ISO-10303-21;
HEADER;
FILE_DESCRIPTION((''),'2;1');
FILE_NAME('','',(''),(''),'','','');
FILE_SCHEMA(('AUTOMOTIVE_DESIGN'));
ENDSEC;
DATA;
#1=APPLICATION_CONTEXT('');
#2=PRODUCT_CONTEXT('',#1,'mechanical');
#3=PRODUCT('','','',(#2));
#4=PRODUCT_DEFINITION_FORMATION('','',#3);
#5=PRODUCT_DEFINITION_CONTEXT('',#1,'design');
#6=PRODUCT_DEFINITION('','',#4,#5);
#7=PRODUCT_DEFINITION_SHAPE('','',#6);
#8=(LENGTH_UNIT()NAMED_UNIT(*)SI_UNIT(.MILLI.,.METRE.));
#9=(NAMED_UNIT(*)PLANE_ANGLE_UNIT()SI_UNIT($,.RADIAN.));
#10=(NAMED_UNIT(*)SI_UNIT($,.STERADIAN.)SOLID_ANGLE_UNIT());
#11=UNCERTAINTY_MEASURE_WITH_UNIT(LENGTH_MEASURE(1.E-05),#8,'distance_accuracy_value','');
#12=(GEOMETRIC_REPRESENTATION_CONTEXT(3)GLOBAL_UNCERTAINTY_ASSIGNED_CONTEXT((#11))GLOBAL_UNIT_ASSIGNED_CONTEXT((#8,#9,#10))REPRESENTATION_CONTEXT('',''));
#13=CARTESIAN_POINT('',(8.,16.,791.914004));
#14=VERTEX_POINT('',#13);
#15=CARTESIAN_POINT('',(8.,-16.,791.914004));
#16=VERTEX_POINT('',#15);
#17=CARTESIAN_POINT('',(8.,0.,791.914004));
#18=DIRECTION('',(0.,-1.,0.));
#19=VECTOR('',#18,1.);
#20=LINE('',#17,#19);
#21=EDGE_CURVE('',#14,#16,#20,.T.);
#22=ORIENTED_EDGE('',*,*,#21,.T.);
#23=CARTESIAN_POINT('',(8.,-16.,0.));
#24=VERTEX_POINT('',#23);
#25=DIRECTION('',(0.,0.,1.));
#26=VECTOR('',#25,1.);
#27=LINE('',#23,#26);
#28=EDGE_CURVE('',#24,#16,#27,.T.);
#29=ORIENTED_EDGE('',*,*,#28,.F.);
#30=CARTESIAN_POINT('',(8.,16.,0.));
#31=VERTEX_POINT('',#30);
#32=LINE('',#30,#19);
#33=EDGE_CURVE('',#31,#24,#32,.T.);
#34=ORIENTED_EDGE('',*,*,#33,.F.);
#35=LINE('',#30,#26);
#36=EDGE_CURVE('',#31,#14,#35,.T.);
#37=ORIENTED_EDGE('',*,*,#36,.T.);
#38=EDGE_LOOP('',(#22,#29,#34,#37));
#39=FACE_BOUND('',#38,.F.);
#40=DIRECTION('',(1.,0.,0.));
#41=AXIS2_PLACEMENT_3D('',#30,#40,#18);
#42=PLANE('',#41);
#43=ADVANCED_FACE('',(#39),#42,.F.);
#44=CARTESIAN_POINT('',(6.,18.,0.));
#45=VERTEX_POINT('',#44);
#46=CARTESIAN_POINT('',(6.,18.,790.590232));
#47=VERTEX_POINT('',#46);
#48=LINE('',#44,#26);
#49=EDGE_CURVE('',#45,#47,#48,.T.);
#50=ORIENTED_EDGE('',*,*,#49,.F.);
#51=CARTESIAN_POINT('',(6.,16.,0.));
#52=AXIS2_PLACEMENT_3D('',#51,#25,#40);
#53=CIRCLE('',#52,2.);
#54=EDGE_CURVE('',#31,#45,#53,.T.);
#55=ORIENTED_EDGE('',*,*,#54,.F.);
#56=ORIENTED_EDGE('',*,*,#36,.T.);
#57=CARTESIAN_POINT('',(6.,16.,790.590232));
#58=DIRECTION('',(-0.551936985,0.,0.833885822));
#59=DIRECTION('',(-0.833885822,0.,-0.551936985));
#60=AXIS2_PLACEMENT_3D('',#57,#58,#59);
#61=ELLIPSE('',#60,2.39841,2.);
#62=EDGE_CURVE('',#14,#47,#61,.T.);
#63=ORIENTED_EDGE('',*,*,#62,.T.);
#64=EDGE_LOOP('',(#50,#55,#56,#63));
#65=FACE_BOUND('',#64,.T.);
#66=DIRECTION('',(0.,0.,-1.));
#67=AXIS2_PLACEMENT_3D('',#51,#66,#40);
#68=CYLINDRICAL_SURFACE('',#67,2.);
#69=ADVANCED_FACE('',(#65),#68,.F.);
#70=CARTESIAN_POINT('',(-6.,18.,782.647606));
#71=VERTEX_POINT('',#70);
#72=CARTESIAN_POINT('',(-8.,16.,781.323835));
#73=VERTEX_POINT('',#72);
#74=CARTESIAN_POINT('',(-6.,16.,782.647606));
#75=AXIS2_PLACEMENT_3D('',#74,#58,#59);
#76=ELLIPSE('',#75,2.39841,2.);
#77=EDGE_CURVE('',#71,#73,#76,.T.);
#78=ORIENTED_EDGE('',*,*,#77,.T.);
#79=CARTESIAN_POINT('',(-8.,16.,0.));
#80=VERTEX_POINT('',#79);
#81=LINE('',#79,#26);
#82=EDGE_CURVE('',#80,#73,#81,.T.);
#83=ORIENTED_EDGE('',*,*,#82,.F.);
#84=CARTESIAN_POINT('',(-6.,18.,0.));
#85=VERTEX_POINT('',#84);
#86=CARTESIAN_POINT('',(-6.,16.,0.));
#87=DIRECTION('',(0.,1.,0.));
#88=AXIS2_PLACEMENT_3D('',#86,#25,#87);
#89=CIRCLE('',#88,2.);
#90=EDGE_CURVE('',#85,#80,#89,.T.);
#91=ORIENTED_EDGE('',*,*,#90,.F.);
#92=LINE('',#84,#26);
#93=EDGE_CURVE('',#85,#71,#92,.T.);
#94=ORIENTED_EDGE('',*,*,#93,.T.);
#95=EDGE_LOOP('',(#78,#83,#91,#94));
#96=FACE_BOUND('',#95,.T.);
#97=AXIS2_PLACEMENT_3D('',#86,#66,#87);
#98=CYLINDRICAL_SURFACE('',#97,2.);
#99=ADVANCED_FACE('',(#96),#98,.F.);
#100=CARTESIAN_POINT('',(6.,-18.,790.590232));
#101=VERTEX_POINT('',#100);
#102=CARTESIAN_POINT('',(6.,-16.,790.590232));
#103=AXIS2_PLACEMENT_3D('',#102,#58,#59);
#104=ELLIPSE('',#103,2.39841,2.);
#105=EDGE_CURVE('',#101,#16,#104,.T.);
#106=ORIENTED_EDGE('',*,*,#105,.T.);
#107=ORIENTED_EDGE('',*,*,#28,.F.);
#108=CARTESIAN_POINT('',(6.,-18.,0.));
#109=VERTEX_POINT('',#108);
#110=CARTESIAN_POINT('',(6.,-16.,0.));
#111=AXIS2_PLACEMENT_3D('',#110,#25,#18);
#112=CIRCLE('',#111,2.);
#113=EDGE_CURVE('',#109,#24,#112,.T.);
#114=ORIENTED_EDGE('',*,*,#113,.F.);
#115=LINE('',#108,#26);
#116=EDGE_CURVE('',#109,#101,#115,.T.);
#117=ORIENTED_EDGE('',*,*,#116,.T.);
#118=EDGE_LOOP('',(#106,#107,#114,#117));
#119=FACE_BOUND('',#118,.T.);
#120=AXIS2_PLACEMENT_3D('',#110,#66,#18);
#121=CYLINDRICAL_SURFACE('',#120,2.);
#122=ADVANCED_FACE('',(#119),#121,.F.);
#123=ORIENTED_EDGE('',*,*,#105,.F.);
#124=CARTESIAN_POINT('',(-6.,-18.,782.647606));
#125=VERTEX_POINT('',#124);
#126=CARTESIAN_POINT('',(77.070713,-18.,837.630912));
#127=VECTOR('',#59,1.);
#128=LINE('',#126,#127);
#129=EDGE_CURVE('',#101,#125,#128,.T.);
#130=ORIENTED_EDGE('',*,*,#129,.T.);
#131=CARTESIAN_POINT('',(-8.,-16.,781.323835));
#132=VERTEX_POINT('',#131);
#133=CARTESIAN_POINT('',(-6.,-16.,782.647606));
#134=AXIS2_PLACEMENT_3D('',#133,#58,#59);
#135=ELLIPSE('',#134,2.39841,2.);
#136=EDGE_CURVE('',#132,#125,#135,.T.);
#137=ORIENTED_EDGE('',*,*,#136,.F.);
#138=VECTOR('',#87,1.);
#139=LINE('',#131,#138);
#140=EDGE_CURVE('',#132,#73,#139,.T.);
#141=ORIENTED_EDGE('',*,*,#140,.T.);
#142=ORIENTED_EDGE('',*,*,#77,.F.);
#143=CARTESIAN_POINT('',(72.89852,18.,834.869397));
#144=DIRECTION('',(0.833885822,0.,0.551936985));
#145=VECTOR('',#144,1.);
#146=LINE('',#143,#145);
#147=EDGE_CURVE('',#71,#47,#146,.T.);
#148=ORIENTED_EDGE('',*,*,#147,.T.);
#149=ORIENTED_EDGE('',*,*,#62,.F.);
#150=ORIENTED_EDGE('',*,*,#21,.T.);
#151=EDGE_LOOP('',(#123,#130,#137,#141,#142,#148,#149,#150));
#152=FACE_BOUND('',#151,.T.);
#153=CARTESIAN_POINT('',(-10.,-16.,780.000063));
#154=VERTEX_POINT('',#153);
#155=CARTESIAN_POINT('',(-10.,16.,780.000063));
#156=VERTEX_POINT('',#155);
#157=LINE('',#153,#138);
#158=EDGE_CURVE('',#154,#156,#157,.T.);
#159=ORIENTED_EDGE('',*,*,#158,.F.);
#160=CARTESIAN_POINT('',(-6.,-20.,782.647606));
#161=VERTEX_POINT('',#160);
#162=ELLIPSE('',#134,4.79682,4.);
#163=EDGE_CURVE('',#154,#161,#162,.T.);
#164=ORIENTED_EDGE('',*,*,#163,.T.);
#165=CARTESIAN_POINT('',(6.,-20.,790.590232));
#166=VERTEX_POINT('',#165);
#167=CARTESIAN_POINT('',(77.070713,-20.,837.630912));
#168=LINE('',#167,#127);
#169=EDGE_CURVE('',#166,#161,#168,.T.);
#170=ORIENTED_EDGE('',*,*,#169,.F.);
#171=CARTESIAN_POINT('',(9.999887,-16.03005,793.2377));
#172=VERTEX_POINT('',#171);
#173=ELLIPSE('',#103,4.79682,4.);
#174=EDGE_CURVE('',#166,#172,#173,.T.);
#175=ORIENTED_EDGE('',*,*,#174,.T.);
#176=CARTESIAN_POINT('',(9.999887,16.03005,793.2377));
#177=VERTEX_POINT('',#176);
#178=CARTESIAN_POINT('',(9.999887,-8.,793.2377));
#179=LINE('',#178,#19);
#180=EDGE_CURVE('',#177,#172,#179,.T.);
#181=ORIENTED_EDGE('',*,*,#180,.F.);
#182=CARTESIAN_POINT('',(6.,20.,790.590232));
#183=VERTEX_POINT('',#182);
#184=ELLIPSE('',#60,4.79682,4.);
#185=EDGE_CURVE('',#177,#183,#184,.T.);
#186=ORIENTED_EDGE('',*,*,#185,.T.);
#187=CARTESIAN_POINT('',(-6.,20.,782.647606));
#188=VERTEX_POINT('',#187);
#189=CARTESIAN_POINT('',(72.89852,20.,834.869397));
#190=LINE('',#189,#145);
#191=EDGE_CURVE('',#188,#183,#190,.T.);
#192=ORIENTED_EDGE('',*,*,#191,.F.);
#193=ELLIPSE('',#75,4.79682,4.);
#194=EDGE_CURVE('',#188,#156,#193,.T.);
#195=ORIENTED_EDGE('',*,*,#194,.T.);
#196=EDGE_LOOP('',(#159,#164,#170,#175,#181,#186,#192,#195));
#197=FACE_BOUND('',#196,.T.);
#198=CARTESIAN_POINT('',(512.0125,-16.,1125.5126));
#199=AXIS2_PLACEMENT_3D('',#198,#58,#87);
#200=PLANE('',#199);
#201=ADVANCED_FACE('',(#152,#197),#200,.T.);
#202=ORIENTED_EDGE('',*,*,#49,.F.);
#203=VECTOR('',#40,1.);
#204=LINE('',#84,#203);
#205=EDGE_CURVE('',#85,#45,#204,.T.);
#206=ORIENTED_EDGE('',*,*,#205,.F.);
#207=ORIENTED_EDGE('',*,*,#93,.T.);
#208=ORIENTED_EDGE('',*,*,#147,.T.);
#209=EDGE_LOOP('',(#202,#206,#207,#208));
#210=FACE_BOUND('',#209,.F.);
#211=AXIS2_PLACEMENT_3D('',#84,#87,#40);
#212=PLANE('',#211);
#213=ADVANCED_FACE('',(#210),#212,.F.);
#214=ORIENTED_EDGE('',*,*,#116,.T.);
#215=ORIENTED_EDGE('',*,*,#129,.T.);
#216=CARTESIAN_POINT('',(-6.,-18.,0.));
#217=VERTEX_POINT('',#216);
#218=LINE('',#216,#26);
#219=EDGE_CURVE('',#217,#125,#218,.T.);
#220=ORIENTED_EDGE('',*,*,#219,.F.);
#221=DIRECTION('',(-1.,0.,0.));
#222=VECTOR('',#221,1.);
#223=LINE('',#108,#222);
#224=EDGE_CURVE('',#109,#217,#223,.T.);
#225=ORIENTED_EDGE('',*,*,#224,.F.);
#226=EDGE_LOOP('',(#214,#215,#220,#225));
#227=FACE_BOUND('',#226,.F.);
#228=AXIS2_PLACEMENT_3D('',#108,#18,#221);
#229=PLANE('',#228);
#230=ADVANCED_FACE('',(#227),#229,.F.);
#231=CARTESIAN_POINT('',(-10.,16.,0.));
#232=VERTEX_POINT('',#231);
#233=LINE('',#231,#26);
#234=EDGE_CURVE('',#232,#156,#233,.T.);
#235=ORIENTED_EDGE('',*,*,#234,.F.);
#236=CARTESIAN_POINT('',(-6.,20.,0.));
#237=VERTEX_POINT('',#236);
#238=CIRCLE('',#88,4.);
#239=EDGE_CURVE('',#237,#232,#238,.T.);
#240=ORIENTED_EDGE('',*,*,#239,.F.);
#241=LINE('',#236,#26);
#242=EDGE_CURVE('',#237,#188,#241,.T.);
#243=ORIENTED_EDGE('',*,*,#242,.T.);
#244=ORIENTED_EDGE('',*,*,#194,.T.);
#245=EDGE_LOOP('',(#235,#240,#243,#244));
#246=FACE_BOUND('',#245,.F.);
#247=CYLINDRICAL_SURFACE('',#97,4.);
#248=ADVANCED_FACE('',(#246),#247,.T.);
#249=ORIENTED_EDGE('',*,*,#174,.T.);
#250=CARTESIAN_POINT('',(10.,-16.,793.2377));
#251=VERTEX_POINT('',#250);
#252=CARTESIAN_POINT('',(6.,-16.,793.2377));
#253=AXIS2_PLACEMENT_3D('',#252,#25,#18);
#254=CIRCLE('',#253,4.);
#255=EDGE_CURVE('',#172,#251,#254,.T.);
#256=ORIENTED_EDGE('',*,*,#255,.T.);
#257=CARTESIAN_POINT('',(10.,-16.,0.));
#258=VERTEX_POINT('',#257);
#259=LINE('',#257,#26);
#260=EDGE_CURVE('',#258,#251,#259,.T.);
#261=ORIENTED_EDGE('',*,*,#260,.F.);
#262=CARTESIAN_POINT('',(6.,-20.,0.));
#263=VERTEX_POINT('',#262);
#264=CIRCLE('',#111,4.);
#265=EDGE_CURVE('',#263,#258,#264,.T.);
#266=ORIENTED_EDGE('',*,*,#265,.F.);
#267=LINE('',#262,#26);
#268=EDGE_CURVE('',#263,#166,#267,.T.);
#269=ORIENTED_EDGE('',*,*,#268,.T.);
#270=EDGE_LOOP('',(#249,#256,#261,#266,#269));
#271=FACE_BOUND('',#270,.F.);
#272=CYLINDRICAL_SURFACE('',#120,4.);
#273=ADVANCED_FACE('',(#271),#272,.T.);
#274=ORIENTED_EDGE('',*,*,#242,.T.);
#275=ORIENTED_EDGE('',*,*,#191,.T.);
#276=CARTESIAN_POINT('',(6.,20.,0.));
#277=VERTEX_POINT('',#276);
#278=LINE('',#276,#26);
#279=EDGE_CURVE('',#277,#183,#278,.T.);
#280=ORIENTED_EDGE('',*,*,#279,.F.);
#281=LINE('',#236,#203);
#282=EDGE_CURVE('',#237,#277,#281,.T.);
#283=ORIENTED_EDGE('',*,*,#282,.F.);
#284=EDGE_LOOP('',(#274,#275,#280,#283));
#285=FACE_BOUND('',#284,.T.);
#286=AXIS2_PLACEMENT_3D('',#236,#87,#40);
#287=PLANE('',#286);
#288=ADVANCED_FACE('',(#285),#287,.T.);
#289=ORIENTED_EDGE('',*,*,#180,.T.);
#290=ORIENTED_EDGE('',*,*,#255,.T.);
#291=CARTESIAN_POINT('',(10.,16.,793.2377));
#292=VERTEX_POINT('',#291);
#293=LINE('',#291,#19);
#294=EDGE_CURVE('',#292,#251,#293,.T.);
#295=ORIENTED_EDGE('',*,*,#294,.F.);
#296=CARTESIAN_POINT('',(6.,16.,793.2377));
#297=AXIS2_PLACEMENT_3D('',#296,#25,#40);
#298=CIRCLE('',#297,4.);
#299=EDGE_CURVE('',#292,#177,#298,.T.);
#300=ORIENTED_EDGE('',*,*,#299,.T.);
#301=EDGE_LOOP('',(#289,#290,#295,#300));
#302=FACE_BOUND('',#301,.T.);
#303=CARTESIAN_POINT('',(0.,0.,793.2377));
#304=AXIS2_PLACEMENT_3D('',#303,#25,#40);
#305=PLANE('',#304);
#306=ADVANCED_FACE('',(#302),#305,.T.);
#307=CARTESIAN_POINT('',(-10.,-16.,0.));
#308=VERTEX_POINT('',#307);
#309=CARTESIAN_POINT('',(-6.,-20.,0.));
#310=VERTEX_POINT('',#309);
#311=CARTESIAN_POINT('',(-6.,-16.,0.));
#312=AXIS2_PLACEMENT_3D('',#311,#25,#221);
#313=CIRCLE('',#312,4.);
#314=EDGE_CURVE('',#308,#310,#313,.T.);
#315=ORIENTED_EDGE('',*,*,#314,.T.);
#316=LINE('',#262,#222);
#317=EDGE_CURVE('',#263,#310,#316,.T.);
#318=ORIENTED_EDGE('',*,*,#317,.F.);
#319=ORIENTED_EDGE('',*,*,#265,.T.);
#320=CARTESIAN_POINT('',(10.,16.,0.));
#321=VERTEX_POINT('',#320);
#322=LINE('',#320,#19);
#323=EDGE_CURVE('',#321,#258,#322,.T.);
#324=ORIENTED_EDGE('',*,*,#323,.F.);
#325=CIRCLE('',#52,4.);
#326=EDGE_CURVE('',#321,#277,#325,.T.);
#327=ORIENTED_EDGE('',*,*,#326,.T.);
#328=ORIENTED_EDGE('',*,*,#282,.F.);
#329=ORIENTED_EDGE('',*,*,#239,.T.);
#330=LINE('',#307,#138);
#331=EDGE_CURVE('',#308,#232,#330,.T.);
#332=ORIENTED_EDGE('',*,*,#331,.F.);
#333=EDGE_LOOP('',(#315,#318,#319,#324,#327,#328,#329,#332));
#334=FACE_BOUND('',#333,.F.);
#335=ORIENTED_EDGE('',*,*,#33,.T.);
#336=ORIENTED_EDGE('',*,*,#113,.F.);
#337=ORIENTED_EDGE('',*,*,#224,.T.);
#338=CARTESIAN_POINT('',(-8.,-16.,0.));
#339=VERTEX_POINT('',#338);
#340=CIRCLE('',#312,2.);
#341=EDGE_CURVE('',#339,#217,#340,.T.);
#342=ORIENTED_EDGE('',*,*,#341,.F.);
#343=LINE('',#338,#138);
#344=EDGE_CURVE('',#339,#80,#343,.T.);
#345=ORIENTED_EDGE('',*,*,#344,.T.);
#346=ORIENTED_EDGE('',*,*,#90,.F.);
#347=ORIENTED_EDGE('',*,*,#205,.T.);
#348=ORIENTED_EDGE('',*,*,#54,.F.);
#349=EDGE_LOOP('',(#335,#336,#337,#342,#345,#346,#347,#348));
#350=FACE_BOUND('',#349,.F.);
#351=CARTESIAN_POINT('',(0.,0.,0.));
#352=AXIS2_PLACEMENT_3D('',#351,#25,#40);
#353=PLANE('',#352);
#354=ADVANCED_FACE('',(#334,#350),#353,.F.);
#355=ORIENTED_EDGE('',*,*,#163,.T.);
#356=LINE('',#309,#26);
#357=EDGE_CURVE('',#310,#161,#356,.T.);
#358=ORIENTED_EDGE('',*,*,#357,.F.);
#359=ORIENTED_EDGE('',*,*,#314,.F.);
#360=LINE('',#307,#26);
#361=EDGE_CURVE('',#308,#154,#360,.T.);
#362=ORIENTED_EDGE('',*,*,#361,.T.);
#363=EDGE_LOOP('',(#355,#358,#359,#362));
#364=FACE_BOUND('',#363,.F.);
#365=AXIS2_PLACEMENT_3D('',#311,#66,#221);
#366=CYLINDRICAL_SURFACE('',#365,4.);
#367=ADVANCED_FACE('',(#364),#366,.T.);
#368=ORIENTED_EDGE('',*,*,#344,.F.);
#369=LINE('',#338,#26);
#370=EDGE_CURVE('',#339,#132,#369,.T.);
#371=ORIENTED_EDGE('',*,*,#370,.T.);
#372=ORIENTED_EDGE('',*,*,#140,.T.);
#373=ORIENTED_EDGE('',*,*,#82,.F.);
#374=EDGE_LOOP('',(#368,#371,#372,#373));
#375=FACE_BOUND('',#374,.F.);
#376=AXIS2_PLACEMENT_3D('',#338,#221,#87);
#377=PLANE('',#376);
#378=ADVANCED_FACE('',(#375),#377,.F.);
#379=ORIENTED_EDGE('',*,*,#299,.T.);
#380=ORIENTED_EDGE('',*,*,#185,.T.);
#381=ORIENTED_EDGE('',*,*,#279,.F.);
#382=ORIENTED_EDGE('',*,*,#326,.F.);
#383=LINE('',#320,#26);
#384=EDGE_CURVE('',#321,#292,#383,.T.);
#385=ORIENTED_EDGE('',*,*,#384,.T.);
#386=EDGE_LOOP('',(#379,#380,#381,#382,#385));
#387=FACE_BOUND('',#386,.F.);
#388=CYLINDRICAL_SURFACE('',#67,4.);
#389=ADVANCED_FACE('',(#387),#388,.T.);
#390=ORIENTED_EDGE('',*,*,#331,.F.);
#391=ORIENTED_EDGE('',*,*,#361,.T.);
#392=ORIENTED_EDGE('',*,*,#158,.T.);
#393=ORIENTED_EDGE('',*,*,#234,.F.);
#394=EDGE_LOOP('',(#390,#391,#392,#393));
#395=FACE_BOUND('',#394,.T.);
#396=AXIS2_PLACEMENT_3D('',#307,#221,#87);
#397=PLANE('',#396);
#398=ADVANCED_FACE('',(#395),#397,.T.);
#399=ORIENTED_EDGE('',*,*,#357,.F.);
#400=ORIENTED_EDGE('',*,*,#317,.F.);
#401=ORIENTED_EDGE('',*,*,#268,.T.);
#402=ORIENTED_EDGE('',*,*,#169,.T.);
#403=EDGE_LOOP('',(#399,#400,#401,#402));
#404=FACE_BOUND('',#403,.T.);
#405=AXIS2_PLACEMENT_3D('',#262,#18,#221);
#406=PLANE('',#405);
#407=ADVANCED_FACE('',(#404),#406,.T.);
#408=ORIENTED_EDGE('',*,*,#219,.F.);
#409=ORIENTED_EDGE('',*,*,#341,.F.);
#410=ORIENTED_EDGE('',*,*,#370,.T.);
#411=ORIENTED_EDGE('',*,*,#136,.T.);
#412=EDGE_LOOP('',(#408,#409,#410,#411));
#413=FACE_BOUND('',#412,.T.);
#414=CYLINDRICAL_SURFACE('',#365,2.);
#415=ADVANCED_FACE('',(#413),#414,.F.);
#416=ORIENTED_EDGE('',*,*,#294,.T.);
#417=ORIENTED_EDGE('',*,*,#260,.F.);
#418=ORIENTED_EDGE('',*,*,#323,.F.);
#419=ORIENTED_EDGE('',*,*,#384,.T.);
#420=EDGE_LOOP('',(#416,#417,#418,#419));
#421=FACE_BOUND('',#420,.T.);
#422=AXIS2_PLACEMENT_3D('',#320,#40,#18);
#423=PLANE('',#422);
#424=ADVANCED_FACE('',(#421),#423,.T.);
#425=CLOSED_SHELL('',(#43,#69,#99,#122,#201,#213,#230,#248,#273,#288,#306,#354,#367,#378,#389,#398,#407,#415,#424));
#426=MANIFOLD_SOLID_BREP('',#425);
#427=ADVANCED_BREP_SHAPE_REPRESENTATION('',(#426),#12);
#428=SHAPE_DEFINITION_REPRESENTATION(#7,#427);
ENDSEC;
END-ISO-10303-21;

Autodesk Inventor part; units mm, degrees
ref_plane "Start Plane" through (0, 0, 0) normal (0, 0, 1) x (1, 0, 0)
ref_plane "End Plane" through (0, 0, 793.2377) normal (0, 0, 1) x (1, 0, 0)
sketch "Sketch" plane through (0, 0, 0) normal (0, 0, 1) x (1, 0, 0)
  line L0 (-10, -16) -> (-10, 16)
  line L1 (-6, 20) -> (6, 20)
  line L2 (10, 16) -> (10, -16)
  line L3 (6, -20) -> (-6, -20)
  arc A0 (-10, -16) -> (-6, -20) centre (-6, -16) ccw
  arc A1 (10, 16) -> (6, 20) centre (6, 16) ccw
  arc A2 (-6, 20) -> (-10, 16) centre (-6, 16) ccw
  arc A3 (6, -20) -> (10, -16) centre (6, -16) ccw
  arc A4 (-6, 18) -> (-8, 16) centre (-6, 16) ccw
  line L4 (-6, 18) -> (6, 18)
  arc A5 (8, 16) -> (6, 18) centre (6, 16) ccw
  line L5 (8, 16) -> (8, -16)
  arc A6 (6, -18) -> (8, -16) centre (6, -16) ccw
  line L6 (6, -18) -> (-6, -18)
  arc A7 (-8, -16) -> (-6, -18) centre (-6, -16) ccw
  line L7 (-8, -16) -> (-8, 16)
  line L8 (0, 29.1598) -> (0, -29.1598) construction
  line L9 (-15.1598, 0) -> (15.1598, 0) construction
  dimension "d7" = 4
  dimension "d9" = 20
  dimension "d11" = 40
  dimension "d12" = 2
  dimension "d15" = 10
  dimension "d16" = 20
extrude "Body" add sketch "Sketch" along normal up to surface (793.2377 mm away) from surface at 0
sketch "Sketch3" plane through (0, 0, 0) normal (0, 0, 1) x (1, 0, 0)
  line L0 (0, 0) -> (10, 0)
ref_plane "Work Plane3" through (0, 0, 0) normal (0, -1, 0) x (1, 0, 0)
ref_plane "Work Plane4" through (512.0125, -16, 1125.5126) normal (-0.5519, 0, 0.8339) x (0.8339, 0, 0.5519)
split "Split1" plane through (512.0125, -16, 1125.5126) removes the side toward (-0.5519, 0, 0.8339)
sketch "Sketch4" plane through (0, 0, 0) normal (0, -1, 0) x (1, 0, 0)
  line L0 (-2, 0) -> (12, 0) projected
  line L1 (-2, 793.2377) -> (12, 793.2377) projected
  dimension "d18" = 793.2377
equation "\"d7\" = G_IR"
equation "\"d9\" = G_W"
equation "\"d11\" = G_H"
equation "\"d12\" = G_T"
equation "\"d15\" = 0.5 * d9"
equation "\"d16\" = 0.5 * d11"
equation "\"d3\" = G_L"
equation "\"G_W\" = 20"
equation "\"G_H\" = 40"
equation "\"G_T\" = 2"
equation "\"G_IR\" = 4"
equation "\"G_L\" = d18"
equation "\"G_OFFSET_START\" = 0"
equation "\"G_OFFSET_END\" = 13.23771"
equation "\"d14\" = G_OFFSET_END + B_L"
equation "\"B_L\" = 780"
properties part number "ISO 4019 - 40x20x2 - 793,24" material "Steel, Mild"
